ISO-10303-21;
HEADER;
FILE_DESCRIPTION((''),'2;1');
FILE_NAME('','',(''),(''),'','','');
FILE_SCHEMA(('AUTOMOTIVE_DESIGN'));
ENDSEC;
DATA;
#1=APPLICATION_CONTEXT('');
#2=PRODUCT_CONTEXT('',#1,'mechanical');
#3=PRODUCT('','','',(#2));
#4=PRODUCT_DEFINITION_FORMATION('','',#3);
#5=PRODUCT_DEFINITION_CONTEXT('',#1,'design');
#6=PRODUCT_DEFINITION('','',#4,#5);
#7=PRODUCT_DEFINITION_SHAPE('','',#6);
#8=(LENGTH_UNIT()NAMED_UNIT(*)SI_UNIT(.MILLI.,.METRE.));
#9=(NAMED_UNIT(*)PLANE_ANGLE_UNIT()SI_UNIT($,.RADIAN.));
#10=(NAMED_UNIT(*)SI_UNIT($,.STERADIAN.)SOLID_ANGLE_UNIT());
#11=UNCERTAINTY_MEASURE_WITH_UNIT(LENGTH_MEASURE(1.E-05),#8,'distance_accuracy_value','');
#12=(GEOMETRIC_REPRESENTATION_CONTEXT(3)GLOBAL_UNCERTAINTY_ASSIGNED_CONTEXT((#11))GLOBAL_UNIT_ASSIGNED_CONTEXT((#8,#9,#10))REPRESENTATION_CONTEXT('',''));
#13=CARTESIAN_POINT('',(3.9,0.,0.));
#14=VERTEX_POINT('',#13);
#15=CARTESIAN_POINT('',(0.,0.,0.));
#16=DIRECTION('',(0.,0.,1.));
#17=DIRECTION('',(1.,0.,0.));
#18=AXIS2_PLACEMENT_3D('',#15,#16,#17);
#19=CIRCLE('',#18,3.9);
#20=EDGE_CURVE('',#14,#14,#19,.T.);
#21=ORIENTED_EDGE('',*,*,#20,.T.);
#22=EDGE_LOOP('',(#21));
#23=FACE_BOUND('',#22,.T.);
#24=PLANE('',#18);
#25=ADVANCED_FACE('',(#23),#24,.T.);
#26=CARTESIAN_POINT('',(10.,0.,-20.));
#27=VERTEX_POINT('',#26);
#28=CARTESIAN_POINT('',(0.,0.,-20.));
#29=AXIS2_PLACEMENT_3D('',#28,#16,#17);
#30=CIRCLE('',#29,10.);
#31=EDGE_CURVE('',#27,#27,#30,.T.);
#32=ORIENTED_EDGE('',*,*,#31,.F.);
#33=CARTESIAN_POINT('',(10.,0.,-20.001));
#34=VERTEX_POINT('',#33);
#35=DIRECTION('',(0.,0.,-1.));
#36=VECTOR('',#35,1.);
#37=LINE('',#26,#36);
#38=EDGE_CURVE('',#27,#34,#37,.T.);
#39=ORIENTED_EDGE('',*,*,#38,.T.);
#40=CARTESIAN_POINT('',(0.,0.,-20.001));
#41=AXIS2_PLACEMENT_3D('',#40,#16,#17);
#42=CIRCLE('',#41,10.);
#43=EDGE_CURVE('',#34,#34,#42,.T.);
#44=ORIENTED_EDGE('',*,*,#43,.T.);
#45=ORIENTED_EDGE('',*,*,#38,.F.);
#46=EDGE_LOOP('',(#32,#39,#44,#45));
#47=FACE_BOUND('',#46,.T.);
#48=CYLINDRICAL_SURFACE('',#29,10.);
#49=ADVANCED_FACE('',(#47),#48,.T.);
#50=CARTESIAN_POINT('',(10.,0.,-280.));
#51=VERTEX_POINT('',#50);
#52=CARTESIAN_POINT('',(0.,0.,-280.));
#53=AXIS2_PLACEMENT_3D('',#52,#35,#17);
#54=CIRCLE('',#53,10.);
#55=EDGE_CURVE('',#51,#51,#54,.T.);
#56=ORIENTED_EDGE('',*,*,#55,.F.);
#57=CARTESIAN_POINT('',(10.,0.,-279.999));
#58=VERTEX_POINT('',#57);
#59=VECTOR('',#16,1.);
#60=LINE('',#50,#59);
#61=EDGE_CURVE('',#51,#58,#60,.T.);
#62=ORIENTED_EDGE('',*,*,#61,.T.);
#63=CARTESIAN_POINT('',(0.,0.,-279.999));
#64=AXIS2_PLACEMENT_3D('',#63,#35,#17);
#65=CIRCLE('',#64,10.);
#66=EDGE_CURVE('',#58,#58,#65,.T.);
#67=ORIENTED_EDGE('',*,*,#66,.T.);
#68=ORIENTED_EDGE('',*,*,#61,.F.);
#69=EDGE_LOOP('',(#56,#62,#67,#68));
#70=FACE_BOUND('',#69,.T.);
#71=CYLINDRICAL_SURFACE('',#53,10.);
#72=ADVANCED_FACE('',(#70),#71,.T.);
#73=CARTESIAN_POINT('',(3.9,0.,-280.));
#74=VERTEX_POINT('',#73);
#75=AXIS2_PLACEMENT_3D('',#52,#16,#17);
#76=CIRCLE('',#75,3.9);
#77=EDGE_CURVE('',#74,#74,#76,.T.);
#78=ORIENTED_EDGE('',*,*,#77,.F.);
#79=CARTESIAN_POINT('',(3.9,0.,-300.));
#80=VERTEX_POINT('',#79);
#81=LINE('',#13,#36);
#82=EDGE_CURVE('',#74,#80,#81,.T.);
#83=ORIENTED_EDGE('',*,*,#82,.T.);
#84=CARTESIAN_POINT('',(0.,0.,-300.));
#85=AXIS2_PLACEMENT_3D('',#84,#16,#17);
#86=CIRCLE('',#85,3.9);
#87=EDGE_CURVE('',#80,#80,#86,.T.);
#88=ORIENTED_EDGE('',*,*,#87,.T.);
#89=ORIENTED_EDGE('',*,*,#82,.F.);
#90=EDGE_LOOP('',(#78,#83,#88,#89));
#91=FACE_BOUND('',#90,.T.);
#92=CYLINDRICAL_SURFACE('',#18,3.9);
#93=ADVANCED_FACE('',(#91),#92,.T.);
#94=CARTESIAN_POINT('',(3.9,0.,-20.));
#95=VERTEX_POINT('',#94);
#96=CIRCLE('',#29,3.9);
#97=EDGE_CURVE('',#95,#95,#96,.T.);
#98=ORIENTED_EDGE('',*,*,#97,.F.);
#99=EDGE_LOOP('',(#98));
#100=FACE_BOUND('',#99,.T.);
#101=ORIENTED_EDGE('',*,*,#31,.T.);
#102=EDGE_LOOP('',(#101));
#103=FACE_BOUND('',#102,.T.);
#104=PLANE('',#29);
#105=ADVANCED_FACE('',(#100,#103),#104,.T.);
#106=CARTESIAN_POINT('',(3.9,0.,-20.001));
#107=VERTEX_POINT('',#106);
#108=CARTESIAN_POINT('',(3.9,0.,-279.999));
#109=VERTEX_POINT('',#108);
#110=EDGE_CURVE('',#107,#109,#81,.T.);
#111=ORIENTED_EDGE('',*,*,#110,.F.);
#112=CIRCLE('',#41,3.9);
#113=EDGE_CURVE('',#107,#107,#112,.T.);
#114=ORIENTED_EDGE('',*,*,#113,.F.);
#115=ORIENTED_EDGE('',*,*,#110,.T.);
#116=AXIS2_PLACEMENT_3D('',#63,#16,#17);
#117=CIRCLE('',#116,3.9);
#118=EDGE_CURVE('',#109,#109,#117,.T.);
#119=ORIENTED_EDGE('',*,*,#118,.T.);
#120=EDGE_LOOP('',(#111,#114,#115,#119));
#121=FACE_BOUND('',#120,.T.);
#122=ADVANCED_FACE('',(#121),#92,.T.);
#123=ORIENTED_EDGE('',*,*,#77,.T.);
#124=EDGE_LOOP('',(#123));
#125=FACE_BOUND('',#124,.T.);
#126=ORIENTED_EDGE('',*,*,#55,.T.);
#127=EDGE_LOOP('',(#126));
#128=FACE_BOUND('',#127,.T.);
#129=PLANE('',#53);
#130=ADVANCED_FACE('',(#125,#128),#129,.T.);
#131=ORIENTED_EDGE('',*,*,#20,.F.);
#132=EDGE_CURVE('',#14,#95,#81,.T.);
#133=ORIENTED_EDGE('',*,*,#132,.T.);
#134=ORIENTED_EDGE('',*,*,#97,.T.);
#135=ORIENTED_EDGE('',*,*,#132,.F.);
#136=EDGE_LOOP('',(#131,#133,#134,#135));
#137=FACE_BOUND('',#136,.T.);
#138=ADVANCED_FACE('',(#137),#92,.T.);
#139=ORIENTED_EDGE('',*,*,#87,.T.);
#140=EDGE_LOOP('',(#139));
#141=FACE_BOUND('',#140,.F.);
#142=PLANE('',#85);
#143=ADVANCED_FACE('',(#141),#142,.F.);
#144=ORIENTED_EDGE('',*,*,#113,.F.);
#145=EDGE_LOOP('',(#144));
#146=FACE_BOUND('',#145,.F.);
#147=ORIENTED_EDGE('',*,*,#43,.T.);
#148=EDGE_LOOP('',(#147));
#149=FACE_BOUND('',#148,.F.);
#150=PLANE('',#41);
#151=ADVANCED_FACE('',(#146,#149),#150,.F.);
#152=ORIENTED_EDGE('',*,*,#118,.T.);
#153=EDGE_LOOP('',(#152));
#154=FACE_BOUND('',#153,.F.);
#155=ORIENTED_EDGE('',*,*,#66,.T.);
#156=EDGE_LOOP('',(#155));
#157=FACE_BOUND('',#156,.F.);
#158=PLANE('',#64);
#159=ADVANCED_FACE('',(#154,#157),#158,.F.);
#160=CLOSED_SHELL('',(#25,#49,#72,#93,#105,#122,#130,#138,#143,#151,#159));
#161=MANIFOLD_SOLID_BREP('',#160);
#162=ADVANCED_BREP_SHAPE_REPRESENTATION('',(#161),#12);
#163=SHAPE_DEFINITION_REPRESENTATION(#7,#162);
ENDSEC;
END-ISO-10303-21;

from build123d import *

# Parameters (mm, degrees)
F0_R     = 3.9
F1_DEPTH = 300
F3_R     = 10
F4_DEPTH = 0.001
F6_R     = 10
F7_DEPTH = 0.001


with BuildPart() as f1:
    # F0 (on Top) → F1 (new body)
    with BuildSketch(Plane.XY):
        Circle(F0_R)
    extrude(amount=-F1_DEPTH)

    # F3 (on offset) → F4 (join)
    with BuildSketch(Plane(origin=(0, 0, -280), x_dir=(1, 0, 0), z_dir=(0, 0, -1))):
        Circle(F3_R)
    extrude(amount=-F4_DEPTH)

    # F6 (on offset) → F7 (join)
    with BuildSketch(Plane.XY.offset(-20)):
        Circle(F6_R)
    extrude(amount=-F7_DEPTH)


solid = f1.part
